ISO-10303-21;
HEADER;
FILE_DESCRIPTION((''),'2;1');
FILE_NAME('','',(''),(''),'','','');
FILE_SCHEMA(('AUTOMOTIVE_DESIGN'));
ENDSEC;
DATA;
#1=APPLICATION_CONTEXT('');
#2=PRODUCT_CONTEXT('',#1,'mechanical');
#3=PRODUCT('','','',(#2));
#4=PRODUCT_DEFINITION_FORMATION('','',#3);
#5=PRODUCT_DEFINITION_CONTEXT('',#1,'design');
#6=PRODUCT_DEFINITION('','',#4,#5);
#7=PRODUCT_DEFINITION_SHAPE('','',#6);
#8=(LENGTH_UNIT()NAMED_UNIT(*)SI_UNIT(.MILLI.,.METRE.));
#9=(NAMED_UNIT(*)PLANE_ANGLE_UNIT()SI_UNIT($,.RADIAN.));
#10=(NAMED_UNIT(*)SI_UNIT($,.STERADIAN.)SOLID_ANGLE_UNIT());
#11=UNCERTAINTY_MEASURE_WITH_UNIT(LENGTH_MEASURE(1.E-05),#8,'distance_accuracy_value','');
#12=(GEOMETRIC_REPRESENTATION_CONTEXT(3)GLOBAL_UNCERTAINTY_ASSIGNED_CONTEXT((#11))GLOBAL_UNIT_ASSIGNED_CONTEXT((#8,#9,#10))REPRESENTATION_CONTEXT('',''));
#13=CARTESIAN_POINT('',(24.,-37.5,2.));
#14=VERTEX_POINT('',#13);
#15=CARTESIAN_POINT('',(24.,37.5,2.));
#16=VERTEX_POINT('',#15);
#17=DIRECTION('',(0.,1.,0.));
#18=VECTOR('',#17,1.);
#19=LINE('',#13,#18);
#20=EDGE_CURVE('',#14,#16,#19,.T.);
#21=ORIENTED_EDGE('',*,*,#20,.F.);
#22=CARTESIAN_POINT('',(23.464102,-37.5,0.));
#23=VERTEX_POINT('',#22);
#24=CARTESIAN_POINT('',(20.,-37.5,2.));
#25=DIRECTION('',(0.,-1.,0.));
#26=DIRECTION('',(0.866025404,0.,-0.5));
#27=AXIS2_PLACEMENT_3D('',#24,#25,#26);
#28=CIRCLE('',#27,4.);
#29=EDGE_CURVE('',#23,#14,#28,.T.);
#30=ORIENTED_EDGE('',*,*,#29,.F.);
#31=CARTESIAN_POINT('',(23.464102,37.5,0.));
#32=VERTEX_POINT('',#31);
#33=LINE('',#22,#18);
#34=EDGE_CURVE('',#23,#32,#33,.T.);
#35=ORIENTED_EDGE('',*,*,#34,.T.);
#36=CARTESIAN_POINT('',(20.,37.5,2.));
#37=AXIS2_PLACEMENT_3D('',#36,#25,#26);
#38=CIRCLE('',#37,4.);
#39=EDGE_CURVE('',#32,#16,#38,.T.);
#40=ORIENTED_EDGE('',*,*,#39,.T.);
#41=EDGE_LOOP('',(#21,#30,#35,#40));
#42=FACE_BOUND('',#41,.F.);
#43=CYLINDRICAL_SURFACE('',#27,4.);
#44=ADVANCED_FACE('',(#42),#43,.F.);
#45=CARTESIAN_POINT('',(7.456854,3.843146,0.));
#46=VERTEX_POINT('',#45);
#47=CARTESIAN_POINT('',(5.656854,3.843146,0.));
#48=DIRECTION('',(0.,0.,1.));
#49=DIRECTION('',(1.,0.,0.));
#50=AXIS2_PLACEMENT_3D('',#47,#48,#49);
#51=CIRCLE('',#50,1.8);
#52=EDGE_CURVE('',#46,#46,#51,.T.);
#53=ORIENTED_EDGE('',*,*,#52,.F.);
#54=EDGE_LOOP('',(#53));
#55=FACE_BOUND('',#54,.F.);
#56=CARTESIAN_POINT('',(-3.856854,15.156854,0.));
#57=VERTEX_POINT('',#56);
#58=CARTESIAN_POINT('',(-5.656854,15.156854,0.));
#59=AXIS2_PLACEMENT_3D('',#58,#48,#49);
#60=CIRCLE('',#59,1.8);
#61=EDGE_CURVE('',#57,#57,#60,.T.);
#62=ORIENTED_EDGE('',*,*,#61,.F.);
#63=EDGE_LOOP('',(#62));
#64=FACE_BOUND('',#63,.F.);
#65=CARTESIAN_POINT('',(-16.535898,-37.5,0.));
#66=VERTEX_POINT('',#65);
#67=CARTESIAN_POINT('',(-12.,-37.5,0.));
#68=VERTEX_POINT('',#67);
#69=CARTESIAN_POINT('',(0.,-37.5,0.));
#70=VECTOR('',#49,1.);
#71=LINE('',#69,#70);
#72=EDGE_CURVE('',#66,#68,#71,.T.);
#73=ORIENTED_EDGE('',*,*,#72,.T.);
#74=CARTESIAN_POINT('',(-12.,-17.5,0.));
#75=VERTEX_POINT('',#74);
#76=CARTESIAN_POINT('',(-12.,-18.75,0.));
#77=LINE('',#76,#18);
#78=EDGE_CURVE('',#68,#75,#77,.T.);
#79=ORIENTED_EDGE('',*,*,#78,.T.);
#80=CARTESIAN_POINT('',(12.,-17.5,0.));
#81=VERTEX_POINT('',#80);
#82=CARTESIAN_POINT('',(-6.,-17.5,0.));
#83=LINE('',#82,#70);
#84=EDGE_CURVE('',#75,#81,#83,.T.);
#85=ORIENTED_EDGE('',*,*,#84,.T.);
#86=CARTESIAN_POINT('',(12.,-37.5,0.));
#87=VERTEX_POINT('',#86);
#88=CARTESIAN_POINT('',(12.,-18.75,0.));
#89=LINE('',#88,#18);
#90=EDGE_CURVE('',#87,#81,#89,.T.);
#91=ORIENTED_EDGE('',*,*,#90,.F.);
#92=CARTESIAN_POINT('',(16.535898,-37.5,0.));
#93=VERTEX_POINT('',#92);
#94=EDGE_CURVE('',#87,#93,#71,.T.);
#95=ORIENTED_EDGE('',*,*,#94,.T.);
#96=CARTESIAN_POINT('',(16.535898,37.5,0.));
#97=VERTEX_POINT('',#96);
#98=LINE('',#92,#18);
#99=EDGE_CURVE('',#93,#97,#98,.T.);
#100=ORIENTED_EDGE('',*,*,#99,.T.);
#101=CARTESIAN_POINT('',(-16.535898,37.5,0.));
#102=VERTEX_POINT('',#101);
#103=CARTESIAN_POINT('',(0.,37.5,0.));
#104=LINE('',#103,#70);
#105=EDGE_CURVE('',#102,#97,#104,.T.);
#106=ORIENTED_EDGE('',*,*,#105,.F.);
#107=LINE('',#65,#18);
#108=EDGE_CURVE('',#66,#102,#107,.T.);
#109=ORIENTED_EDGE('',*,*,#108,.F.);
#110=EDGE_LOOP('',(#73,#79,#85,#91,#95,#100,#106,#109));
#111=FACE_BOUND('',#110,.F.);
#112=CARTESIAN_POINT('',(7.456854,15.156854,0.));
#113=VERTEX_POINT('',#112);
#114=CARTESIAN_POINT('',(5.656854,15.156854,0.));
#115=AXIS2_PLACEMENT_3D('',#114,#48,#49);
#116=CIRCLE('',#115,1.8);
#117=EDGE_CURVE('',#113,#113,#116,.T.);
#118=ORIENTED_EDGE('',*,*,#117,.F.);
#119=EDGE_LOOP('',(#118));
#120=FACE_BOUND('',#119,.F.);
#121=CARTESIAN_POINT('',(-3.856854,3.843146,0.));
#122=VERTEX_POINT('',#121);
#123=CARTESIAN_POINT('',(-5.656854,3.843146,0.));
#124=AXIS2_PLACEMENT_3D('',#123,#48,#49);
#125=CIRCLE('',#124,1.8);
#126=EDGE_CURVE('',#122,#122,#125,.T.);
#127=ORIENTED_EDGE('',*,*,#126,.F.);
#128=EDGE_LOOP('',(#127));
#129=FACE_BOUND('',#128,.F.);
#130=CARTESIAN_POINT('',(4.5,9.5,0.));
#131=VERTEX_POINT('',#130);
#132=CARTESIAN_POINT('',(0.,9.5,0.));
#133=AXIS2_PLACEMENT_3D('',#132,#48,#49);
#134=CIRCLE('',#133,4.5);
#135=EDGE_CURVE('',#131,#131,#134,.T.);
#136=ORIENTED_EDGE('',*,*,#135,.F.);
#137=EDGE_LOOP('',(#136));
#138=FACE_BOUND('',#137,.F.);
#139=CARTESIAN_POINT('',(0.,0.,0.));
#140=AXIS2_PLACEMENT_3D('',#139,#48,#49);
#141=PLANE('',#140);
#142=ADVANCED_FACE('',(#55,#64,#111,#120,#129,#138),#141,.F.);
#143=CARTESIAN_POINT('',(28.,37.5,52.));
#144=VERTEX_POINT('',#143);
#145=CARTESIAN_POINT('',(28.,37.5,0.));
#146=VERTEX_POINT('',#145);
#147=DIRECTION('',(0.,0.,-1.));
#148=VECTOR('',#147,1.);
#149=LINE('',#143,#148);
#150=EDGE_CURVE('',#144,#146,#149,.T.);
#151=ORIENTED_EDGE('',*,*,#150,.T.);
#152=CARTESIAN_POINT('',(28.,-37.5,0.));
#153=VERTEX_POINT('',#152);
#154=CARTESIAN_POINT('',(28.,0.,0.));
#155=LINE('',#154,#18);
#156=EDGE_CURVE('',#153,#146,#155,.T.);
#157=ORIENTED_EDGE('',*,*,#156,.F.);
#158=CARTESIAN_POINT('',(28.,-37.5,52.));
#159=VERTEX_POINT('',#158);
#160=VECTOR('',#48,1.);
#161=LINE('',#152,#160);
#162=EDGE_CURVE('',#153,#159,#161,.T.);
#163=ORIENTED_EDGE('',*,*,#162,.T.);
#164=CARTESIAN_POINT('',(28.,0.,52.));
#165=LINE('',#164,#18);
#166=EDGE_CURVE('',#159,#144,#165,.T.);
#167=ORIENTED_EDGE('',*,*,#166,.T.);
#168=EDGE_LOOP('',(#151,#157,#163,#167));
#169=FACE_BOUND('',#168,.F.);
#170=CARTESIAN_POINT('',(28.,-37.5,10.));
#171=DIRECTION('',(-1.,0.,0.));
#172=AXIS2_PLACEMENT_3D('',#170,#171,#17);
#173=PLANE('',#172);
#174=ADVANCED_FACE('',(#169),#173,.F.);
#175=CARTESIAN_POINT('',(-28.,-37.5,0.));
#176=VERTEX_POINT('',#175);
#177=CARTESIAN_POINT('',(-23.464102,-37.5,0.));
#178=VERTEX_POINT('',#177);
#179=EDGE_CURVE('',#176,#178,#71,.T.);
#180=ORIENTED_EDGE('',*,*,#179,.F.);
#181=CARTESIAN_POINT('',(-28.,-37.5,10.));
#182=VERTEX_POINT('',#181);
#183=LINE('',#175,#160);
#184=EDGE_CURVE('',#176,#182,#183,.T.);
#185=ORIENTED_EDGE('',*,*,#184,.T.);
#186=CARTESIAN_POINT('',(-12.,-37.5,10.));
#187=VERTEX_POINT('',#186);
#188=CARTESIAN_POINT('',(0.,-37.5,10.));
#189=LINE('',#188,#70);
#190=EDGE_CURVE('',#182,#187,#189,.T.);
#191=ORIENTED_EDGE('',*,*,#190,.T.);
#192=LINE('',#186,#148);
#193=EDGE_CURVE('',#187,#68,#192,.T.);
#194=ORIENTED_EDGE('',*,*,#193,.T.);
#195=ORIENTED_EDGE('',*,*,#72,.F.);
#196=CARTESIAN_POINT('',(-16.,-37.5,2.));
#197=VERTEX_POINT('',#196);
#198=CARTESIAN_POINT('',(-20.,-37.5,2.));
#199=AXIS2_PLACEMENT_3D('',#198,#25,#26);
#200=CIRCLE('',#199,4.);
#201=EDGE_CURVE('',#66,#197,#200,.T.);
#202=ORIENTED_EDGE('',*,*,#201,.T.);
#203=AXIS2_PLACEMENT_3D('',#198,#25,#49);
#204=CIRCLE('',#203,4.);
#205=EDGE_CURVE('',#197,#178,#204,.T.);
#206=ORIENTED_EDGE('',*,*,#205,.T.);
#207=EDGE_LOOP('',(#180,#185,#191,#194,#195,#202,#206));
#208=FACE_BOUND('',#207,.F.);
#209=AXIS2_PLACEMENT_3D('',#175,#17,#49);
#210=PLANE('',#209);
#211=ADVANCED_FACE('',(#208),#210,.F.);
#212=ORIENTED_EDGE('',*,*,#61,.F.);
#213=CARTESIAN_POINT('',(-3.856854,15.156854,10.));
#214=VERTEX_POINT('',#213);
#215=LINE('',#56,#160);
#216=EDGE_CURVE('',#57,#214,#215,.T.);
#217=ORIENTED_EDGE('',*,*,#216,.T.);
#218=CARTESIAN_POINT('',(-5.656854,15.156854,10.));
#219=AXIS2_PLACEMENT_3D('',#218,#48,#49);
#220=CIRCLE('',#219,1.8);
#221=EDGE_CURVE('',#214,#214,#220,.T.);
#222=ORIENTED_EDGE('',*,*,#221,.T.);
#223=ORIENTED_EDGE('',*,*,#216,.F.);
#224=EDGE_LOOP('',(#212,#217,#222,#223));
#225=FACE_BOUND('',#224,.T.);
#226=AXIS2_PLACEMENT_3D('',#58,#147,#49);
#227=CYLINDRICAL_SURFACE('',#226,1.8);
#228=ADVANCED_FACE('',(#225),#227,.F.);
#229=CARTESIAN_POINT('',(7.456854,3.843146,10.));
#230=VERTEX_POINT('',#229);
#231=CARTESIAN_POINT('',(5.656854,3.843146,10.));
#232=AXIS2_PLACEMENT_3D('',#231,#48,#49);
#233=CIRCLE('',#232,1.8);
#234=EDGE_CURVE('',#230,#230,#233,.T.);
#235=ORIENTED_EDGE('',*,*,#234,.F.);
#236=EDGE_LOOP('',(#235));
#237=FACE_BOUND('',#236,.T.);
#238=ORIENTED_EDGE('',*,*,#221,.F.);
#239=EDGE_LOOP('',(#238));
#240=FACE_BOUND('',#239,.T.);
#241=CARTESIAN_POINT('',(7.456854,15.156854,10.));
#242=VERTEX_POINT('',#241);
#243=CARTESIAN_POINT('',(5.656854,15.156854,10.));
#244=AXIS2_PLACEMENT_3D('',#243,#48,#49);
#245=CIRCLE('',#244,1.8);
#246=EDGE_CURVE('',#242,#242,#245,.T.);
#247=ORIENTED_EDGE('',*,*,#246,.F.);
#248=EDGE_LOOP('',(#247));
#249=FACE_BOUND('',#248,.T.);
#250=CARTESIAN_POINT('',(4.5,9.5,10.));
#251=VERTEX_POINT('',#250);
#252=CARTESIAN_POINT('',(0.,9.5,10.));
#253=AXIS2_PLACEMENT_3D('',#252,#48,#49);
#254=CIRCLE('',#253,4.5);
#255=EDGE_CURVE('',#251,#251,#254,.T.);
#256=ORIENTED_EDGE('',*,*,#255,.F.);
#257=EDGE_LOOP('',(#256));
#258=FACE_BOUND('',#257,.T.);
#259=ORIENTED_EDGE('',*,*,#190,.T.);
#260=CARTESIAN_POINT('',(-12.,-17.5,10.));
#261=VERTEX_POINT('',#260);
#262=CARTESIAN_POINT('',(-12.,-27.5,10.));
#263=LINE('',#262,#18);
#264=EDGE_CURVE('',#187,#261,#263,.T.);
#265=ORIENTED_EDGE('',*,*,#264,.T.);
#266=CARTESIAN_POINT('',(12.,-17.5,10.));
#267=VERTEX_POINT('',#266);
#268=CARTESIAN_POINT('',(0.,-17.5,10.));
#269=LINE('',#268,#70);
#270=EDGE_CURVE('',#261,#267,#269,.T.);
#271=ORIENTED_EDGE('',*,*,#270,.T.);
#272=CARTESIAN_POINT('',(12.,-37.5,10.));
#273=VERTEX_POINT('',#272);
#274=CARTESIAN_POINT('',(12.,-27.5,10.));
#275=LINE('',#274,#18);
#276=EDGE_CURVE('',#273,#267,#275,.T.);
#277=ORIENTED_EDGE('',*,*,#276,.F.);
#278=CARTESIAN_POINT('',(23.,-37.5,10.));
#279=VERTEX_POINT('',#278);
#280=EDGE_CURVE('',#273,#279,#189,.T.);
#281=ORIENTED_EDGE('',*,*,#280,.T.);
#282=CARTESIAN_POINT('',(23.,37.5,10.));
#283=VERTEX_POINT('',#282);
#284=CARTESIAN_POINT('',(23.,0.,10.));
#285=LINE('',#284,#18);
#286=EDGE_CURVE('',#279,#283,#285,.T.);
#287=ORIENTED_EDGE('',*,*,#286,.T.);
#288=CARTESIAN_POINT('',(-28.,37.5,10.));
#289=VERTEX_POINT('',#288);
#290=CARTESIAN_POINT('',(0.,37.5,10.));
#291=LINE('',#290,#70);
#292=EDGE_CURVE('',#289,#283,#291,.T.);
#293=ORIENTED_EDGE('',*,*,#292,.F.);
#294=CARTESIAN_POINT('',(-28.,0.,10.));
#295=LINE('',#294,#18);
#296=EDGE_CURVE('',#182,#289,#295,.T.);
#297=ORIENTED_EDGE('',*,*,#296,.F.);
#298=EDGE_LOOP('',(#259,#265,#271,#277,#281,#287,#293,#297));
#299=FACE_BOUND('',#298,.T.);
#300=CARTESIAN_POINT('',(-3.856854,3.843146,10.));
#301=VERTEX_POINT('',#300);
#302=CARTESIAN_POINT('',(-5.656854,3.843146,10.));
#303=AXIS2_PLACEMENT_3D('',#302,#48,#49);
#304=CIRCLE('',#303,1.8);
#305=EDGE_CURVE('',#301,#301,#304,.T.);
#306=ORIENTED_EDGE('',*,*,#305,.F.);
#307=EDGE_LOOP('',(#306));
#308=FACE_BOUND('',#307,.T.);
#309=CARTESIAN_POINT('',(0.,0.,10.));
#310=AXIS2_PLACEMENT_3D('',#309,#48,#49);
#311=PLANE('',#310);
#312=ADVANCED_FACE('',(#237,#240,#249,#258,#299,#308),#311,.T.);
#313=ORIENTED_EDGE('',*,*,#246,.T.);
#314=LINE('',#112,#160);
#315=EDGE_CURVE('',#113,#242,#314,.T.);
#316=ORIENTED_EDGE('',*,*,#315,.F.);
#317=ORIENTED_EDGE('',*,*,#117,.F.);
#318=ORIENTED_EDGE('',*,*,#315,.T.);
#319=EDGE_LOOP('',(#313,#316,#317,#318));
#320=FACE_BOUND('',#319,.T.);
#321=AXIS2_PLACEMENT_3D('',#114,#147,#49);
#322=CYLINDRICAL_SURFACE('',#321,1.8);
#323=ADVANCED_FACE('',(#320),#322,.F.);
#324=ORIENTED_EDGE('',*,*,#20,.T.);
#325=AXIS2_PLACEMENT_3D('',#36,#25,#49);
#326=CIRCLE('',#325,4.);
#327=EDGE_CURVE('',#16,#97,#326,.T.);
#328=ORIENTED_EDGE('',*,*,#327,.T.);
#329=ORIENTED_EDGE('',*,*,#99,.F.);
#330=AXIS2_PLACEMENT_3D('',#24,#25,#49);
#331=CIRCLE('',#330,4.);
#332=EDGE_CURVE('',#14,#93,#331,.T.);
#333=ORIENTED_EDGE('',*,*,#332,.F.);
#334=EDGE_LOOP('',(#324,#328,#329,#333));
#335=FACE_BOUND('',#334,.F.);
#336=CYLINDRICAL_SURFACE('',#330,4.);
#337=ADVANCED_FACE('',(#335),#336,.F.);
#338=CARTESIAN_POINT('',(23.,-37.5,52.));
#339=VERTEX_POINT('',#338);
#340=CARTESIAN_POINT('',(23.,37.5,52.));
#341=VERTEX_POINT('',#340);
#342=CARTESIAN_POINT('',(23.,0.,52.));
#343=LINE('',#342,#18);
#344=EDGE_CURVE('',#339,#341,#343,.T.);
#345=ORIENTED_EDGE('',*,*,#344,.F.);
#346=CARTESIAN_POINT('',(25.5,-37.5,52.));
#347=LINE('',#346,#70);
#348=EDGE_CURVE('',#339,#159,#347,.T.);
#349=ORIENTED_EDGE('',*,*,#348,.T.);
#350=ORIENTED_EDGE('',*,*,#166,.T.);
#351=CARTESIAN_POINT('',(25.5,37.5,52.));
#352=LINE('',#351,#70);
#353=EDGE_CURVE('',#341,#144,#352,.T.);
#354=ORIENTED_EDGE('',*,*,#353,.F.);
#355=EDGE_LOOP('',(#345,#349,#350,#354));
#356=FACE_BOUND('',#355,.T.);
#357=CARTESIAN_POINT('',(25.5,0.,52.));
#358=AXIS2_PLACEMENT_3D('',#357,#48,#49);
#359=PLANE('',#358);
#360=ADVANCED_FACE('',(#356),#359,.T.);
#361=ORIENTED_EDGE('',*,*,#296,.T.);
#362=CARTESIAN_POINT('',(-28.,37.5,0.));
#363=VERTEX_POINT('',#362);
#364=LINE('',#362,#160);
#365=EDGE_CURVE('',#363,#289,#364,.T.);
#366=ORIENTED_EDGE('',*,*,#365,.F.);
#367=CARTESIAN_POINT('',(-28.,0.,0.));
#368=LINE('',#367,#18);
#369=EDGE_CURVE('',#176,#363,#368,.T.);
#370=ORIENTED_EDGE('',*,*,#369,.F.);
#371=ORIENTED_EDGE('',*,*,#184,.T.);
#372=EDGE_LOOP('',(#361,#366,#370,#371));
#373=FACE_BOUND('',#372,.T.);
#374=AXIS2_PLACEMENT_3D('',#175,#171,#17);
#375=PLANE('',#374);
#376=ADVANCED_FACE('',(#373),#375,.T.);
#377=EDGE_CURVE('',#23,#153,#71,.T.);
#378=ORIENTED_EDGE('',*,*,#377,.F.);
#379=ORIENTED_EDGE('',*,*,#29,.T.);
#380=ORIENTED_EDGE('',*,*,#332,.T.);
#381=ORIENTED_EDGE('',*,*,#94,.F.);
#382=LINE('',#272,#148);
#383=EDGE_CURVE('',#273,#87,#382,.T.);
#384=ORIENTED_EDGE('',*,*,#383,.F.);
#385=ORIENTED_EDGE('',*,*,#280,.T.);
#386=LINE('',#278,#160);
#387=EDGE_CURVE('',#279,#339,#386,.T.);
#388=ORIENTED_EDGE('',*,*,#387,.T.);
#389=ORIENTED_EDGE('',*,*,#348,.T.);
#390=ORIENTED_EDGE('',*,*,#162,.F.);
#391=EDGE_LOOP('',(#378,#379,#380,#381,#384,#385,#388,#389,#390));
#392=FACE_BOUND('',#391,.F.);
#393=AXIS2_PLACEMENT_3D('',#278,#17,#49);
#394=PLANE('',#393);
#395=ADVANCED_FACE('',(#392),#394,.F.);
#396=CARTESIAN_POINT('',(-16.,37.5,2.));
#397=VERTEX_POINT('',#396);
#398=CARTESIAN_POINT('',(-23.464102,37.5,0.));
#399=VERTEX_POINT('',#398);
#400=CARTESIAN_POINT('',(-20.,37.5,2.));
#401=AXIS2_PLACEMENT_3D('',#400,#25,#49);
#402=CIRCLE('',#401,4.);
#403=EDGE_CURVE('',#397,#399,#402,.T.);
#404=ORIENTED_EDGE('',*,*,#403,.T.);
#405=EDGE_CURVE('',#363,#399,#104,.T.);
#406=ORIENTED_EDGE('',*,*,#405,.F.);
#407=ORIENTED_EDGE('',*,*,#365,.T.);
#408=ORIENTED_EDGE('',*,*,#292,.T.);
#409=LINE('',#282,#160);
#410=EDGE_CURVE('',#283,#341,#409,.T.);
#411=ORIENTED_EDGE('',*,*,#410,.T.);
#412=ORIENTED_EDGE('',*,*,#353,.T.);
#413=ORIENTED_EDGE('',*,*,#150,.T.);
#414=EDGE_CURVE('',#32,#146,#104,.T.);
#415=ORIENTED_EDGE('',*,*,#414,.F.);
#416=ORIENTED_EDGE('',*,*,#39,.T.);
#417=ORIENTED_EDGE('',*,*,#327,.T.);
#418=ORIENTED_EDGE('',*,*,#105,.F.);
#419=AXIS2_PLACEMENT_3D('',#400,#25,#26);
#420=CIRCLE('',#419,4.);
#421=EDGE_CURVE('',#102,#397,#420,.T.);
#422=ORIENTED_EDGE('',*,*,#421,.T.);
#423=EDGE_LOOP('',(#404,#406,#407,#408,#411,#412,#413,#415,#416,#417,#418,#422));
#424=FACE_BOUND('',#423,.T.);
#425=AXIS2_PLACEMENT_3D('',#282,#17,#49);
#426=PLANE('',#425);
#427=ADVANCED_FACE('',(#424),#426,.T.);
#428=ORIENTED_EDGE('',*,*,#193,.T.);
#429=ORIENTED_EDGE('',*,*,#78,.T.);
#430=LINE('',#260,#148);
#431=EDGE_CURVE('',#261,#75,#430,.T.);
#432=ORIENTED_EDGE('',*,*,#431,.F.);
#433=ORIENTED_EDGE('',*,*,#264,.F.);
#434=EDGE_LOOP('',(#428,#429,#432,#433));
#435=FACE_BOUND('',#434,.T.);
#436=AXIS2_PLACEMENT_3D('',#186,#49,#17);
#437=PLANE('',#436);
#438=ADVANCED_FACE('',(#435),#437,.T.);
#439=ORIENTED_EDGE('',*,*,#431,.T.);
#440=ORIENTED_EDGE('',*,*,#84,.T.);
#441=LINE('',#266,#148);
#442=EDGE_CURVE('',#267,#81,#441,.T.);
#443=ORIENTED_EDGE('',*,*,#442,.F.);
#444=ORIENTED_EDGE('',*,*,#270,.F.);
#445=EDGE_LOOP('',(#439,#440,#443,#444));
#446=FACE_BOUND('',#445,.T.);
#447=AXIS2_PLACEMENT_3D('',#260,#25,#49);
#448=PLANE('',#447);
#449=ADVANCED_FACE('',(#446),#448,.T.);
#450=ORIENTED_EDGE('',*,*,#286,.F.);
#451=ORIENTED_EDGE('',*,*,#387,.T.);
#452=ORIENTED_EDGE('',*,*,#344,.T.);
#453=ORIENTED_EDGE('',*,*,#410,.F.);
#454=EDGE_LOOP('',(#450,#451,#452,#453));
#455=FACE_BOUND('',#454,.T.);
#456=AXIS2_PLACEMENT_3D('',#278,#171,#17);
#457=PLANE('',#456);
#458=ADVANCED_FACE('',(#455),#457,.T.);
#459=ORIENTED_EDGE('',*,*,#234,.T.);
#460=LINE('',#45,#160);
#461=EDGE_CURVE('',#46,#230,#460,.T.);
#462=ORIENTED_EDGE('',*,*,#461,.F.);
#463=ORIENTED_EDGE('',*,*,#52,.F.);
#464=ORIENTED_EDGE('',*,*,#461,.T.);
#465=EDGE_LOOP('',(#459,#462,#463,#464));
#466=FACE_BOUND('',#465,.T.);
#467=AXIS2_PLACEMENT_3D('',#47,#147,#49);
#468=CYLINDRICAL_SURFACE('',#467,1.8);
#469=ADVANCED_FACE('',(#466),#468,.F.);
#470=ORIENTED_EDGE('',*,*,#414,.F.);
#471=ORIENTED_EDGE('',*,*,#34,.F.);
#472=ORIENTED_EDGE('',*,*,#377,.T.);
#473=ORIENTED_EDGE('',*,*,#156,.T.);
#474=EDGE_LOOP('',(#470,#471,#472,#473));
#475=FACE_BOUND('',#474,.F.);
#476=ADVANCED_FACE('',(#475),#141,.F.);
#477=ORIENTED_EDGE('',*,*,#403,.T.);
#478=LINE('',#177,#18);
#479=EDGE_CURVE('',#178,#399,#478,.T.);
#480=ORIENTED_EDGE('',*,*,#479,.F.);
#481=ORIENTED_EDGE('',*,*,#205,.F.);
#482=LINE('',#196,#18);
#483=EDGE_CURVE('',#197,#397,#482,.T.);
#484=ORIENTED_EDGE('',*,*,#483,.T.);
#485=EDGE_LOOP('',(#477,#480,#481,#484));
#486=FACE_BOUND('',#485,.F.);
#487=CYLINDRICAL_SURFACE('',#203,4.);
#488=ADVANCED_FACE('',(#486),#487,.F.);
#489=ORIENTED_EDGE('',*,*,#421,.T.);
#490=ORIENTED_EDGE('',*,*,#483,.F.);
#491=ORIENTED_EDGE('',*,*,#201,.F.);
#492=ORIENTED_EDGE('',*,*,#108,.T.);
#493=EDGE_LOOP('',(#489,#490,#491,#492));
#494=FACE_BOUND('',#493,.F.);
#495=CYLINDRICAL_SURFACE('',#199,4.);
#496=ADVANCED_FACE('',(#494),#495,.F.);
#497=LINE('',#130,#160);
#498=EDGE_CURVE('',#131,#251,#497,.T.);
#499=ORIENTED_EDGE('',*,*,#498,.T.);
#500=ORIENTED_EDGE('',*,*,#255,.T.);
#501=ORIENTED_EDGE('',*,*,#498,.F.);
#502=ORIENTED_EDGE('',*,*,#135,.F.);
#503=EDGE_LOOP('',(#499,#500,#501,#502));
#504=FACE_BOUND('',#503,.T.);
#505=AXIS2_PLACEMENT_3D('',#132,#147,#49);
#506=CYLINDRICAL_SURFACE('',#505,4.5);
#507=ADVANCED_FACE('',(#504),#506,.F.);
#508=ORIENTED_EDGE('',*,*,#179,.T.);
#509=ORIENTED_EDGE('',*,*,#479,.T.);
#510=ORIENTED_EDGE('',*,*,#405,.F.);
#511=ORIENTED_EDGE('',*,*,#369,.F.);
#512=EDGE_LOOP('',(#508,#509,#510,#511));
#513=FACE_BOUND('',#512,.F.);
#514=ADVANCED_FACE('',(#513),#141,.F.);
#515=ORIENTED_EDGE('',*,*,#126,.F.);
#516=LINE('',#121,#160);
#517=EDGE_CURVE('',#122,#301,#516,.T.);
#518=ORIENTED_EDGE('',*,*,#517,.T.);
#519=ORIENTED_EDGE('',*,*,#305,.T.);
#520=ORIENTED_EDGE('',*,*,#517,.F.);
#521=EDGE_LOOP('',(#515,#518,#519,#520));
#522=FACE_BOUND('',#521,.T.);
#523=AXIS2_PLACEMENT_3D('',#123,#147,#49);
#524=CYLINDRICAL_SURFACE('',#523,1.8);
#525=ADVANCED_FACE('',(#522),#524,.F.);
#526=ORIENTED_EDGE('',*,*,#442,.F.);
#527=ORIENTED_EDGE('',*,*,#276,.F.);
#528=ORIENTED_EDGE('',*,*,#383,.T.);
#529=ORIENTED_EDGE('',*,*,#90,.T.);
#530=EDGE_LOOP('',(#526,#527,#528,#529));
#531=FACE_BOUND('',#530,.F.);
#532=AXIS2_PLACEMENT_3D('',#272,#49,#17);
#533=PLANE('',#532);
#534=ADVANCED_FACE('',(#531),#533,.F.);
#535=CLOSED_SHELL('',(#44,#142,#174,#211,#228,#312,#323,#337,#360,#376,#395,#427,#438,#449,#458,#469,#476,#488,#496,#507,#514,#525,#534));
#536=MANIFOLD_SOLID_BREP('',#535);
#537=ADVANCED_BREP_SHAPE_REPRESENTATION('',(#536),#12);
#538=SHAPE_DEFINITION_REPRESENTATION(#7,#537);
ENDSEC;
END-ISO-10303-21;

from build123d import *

# Parameters (mm, degrees)
F0_W     = 56
F0_H     = 75
F0_R     = 1.8
F0_R_2   = 4.5
F1_DEPTH = 10
F3_DEPTH = 75.001
F4_W     = 24
F4_H     = 20
F5_DEPTH = 25
F6_W     = 5
F6_H     = 75
F7_DEPTH = 42


with BuildPart() as f1:
    # F0 (on Top) → F1 (new body)
    with BuildSketch(Plane.XY):
        Rectangle(F0_W, F0_H)
        with Locations((-5.6568542495, 3.8431457505)):
            Circle(F0_R, mode=Mode.SUBTRACT)
        with Locations((-5.6568542495, 15.1568542495)):
            Circle(F0_R, mode=Mode.SUBTRACT)
        with Locations((5.6568542495, 3.8431457505)):
            Circle(F0_R, mode=Mode.SUBTRACT)
        with Locations((0, 9.5)):
            Circle(F0_R_2, mode=Mode.SUBTRACT)
        with Locations((5.6568542495, 15.1568542495)):
            Circle(F0_R, mode=Mode.SUBTRACT)
    extrude(amount=F1_DEPTH)

    # F2 (on face) → F3 (cut, through all)
    with BuildSketch(Plane.XZ.offset(37.5)):
        with BuildLine():
            ThreePointArc((-16.5358983849, 0), (-16.1362966948, 0.9647238196), (-16, 2))
            ThreePointArc((-16, 2), (-21.0352761804, 5.8637033052), (-23.4641016151, 0))
            Line((-23.4641016151, 0), (-16.5358983849, 0))
        make_face()
        with BuildLine():
            ThreePointArc((24, 2), (18.9647238196, 5.8637033052), (16.5358983849, 0))
            Line((16.5358983849, 0), (23.4641016151, 0))
            ThreePointArc((23.4641016151, 0), (23.8637033052, 0.9647238196), (24, 2))
        make_face()
    extrude(amount=-F3_DEPTH, mode=Mode.SUBTRACT)

    # F4 (on face) → F5 (cut)
    with BuildSketch(Plane.XY.offset(10)):
        with Locations((0, -27.5)):
            Rectangle(F4_W, F4_H)
    extrude(amount=-F5_DEPTH, mode=Mode.SUBTRACT)

    # F6 (on face) → F7 (join)
    with BuildSketch(Plane.XY.offset(10)):
        with Locations((25.5, 0)):
            Rectangle(F6_W, F6_H)
    extrude(amount=F7_DEPTH)


solid = f1.part
